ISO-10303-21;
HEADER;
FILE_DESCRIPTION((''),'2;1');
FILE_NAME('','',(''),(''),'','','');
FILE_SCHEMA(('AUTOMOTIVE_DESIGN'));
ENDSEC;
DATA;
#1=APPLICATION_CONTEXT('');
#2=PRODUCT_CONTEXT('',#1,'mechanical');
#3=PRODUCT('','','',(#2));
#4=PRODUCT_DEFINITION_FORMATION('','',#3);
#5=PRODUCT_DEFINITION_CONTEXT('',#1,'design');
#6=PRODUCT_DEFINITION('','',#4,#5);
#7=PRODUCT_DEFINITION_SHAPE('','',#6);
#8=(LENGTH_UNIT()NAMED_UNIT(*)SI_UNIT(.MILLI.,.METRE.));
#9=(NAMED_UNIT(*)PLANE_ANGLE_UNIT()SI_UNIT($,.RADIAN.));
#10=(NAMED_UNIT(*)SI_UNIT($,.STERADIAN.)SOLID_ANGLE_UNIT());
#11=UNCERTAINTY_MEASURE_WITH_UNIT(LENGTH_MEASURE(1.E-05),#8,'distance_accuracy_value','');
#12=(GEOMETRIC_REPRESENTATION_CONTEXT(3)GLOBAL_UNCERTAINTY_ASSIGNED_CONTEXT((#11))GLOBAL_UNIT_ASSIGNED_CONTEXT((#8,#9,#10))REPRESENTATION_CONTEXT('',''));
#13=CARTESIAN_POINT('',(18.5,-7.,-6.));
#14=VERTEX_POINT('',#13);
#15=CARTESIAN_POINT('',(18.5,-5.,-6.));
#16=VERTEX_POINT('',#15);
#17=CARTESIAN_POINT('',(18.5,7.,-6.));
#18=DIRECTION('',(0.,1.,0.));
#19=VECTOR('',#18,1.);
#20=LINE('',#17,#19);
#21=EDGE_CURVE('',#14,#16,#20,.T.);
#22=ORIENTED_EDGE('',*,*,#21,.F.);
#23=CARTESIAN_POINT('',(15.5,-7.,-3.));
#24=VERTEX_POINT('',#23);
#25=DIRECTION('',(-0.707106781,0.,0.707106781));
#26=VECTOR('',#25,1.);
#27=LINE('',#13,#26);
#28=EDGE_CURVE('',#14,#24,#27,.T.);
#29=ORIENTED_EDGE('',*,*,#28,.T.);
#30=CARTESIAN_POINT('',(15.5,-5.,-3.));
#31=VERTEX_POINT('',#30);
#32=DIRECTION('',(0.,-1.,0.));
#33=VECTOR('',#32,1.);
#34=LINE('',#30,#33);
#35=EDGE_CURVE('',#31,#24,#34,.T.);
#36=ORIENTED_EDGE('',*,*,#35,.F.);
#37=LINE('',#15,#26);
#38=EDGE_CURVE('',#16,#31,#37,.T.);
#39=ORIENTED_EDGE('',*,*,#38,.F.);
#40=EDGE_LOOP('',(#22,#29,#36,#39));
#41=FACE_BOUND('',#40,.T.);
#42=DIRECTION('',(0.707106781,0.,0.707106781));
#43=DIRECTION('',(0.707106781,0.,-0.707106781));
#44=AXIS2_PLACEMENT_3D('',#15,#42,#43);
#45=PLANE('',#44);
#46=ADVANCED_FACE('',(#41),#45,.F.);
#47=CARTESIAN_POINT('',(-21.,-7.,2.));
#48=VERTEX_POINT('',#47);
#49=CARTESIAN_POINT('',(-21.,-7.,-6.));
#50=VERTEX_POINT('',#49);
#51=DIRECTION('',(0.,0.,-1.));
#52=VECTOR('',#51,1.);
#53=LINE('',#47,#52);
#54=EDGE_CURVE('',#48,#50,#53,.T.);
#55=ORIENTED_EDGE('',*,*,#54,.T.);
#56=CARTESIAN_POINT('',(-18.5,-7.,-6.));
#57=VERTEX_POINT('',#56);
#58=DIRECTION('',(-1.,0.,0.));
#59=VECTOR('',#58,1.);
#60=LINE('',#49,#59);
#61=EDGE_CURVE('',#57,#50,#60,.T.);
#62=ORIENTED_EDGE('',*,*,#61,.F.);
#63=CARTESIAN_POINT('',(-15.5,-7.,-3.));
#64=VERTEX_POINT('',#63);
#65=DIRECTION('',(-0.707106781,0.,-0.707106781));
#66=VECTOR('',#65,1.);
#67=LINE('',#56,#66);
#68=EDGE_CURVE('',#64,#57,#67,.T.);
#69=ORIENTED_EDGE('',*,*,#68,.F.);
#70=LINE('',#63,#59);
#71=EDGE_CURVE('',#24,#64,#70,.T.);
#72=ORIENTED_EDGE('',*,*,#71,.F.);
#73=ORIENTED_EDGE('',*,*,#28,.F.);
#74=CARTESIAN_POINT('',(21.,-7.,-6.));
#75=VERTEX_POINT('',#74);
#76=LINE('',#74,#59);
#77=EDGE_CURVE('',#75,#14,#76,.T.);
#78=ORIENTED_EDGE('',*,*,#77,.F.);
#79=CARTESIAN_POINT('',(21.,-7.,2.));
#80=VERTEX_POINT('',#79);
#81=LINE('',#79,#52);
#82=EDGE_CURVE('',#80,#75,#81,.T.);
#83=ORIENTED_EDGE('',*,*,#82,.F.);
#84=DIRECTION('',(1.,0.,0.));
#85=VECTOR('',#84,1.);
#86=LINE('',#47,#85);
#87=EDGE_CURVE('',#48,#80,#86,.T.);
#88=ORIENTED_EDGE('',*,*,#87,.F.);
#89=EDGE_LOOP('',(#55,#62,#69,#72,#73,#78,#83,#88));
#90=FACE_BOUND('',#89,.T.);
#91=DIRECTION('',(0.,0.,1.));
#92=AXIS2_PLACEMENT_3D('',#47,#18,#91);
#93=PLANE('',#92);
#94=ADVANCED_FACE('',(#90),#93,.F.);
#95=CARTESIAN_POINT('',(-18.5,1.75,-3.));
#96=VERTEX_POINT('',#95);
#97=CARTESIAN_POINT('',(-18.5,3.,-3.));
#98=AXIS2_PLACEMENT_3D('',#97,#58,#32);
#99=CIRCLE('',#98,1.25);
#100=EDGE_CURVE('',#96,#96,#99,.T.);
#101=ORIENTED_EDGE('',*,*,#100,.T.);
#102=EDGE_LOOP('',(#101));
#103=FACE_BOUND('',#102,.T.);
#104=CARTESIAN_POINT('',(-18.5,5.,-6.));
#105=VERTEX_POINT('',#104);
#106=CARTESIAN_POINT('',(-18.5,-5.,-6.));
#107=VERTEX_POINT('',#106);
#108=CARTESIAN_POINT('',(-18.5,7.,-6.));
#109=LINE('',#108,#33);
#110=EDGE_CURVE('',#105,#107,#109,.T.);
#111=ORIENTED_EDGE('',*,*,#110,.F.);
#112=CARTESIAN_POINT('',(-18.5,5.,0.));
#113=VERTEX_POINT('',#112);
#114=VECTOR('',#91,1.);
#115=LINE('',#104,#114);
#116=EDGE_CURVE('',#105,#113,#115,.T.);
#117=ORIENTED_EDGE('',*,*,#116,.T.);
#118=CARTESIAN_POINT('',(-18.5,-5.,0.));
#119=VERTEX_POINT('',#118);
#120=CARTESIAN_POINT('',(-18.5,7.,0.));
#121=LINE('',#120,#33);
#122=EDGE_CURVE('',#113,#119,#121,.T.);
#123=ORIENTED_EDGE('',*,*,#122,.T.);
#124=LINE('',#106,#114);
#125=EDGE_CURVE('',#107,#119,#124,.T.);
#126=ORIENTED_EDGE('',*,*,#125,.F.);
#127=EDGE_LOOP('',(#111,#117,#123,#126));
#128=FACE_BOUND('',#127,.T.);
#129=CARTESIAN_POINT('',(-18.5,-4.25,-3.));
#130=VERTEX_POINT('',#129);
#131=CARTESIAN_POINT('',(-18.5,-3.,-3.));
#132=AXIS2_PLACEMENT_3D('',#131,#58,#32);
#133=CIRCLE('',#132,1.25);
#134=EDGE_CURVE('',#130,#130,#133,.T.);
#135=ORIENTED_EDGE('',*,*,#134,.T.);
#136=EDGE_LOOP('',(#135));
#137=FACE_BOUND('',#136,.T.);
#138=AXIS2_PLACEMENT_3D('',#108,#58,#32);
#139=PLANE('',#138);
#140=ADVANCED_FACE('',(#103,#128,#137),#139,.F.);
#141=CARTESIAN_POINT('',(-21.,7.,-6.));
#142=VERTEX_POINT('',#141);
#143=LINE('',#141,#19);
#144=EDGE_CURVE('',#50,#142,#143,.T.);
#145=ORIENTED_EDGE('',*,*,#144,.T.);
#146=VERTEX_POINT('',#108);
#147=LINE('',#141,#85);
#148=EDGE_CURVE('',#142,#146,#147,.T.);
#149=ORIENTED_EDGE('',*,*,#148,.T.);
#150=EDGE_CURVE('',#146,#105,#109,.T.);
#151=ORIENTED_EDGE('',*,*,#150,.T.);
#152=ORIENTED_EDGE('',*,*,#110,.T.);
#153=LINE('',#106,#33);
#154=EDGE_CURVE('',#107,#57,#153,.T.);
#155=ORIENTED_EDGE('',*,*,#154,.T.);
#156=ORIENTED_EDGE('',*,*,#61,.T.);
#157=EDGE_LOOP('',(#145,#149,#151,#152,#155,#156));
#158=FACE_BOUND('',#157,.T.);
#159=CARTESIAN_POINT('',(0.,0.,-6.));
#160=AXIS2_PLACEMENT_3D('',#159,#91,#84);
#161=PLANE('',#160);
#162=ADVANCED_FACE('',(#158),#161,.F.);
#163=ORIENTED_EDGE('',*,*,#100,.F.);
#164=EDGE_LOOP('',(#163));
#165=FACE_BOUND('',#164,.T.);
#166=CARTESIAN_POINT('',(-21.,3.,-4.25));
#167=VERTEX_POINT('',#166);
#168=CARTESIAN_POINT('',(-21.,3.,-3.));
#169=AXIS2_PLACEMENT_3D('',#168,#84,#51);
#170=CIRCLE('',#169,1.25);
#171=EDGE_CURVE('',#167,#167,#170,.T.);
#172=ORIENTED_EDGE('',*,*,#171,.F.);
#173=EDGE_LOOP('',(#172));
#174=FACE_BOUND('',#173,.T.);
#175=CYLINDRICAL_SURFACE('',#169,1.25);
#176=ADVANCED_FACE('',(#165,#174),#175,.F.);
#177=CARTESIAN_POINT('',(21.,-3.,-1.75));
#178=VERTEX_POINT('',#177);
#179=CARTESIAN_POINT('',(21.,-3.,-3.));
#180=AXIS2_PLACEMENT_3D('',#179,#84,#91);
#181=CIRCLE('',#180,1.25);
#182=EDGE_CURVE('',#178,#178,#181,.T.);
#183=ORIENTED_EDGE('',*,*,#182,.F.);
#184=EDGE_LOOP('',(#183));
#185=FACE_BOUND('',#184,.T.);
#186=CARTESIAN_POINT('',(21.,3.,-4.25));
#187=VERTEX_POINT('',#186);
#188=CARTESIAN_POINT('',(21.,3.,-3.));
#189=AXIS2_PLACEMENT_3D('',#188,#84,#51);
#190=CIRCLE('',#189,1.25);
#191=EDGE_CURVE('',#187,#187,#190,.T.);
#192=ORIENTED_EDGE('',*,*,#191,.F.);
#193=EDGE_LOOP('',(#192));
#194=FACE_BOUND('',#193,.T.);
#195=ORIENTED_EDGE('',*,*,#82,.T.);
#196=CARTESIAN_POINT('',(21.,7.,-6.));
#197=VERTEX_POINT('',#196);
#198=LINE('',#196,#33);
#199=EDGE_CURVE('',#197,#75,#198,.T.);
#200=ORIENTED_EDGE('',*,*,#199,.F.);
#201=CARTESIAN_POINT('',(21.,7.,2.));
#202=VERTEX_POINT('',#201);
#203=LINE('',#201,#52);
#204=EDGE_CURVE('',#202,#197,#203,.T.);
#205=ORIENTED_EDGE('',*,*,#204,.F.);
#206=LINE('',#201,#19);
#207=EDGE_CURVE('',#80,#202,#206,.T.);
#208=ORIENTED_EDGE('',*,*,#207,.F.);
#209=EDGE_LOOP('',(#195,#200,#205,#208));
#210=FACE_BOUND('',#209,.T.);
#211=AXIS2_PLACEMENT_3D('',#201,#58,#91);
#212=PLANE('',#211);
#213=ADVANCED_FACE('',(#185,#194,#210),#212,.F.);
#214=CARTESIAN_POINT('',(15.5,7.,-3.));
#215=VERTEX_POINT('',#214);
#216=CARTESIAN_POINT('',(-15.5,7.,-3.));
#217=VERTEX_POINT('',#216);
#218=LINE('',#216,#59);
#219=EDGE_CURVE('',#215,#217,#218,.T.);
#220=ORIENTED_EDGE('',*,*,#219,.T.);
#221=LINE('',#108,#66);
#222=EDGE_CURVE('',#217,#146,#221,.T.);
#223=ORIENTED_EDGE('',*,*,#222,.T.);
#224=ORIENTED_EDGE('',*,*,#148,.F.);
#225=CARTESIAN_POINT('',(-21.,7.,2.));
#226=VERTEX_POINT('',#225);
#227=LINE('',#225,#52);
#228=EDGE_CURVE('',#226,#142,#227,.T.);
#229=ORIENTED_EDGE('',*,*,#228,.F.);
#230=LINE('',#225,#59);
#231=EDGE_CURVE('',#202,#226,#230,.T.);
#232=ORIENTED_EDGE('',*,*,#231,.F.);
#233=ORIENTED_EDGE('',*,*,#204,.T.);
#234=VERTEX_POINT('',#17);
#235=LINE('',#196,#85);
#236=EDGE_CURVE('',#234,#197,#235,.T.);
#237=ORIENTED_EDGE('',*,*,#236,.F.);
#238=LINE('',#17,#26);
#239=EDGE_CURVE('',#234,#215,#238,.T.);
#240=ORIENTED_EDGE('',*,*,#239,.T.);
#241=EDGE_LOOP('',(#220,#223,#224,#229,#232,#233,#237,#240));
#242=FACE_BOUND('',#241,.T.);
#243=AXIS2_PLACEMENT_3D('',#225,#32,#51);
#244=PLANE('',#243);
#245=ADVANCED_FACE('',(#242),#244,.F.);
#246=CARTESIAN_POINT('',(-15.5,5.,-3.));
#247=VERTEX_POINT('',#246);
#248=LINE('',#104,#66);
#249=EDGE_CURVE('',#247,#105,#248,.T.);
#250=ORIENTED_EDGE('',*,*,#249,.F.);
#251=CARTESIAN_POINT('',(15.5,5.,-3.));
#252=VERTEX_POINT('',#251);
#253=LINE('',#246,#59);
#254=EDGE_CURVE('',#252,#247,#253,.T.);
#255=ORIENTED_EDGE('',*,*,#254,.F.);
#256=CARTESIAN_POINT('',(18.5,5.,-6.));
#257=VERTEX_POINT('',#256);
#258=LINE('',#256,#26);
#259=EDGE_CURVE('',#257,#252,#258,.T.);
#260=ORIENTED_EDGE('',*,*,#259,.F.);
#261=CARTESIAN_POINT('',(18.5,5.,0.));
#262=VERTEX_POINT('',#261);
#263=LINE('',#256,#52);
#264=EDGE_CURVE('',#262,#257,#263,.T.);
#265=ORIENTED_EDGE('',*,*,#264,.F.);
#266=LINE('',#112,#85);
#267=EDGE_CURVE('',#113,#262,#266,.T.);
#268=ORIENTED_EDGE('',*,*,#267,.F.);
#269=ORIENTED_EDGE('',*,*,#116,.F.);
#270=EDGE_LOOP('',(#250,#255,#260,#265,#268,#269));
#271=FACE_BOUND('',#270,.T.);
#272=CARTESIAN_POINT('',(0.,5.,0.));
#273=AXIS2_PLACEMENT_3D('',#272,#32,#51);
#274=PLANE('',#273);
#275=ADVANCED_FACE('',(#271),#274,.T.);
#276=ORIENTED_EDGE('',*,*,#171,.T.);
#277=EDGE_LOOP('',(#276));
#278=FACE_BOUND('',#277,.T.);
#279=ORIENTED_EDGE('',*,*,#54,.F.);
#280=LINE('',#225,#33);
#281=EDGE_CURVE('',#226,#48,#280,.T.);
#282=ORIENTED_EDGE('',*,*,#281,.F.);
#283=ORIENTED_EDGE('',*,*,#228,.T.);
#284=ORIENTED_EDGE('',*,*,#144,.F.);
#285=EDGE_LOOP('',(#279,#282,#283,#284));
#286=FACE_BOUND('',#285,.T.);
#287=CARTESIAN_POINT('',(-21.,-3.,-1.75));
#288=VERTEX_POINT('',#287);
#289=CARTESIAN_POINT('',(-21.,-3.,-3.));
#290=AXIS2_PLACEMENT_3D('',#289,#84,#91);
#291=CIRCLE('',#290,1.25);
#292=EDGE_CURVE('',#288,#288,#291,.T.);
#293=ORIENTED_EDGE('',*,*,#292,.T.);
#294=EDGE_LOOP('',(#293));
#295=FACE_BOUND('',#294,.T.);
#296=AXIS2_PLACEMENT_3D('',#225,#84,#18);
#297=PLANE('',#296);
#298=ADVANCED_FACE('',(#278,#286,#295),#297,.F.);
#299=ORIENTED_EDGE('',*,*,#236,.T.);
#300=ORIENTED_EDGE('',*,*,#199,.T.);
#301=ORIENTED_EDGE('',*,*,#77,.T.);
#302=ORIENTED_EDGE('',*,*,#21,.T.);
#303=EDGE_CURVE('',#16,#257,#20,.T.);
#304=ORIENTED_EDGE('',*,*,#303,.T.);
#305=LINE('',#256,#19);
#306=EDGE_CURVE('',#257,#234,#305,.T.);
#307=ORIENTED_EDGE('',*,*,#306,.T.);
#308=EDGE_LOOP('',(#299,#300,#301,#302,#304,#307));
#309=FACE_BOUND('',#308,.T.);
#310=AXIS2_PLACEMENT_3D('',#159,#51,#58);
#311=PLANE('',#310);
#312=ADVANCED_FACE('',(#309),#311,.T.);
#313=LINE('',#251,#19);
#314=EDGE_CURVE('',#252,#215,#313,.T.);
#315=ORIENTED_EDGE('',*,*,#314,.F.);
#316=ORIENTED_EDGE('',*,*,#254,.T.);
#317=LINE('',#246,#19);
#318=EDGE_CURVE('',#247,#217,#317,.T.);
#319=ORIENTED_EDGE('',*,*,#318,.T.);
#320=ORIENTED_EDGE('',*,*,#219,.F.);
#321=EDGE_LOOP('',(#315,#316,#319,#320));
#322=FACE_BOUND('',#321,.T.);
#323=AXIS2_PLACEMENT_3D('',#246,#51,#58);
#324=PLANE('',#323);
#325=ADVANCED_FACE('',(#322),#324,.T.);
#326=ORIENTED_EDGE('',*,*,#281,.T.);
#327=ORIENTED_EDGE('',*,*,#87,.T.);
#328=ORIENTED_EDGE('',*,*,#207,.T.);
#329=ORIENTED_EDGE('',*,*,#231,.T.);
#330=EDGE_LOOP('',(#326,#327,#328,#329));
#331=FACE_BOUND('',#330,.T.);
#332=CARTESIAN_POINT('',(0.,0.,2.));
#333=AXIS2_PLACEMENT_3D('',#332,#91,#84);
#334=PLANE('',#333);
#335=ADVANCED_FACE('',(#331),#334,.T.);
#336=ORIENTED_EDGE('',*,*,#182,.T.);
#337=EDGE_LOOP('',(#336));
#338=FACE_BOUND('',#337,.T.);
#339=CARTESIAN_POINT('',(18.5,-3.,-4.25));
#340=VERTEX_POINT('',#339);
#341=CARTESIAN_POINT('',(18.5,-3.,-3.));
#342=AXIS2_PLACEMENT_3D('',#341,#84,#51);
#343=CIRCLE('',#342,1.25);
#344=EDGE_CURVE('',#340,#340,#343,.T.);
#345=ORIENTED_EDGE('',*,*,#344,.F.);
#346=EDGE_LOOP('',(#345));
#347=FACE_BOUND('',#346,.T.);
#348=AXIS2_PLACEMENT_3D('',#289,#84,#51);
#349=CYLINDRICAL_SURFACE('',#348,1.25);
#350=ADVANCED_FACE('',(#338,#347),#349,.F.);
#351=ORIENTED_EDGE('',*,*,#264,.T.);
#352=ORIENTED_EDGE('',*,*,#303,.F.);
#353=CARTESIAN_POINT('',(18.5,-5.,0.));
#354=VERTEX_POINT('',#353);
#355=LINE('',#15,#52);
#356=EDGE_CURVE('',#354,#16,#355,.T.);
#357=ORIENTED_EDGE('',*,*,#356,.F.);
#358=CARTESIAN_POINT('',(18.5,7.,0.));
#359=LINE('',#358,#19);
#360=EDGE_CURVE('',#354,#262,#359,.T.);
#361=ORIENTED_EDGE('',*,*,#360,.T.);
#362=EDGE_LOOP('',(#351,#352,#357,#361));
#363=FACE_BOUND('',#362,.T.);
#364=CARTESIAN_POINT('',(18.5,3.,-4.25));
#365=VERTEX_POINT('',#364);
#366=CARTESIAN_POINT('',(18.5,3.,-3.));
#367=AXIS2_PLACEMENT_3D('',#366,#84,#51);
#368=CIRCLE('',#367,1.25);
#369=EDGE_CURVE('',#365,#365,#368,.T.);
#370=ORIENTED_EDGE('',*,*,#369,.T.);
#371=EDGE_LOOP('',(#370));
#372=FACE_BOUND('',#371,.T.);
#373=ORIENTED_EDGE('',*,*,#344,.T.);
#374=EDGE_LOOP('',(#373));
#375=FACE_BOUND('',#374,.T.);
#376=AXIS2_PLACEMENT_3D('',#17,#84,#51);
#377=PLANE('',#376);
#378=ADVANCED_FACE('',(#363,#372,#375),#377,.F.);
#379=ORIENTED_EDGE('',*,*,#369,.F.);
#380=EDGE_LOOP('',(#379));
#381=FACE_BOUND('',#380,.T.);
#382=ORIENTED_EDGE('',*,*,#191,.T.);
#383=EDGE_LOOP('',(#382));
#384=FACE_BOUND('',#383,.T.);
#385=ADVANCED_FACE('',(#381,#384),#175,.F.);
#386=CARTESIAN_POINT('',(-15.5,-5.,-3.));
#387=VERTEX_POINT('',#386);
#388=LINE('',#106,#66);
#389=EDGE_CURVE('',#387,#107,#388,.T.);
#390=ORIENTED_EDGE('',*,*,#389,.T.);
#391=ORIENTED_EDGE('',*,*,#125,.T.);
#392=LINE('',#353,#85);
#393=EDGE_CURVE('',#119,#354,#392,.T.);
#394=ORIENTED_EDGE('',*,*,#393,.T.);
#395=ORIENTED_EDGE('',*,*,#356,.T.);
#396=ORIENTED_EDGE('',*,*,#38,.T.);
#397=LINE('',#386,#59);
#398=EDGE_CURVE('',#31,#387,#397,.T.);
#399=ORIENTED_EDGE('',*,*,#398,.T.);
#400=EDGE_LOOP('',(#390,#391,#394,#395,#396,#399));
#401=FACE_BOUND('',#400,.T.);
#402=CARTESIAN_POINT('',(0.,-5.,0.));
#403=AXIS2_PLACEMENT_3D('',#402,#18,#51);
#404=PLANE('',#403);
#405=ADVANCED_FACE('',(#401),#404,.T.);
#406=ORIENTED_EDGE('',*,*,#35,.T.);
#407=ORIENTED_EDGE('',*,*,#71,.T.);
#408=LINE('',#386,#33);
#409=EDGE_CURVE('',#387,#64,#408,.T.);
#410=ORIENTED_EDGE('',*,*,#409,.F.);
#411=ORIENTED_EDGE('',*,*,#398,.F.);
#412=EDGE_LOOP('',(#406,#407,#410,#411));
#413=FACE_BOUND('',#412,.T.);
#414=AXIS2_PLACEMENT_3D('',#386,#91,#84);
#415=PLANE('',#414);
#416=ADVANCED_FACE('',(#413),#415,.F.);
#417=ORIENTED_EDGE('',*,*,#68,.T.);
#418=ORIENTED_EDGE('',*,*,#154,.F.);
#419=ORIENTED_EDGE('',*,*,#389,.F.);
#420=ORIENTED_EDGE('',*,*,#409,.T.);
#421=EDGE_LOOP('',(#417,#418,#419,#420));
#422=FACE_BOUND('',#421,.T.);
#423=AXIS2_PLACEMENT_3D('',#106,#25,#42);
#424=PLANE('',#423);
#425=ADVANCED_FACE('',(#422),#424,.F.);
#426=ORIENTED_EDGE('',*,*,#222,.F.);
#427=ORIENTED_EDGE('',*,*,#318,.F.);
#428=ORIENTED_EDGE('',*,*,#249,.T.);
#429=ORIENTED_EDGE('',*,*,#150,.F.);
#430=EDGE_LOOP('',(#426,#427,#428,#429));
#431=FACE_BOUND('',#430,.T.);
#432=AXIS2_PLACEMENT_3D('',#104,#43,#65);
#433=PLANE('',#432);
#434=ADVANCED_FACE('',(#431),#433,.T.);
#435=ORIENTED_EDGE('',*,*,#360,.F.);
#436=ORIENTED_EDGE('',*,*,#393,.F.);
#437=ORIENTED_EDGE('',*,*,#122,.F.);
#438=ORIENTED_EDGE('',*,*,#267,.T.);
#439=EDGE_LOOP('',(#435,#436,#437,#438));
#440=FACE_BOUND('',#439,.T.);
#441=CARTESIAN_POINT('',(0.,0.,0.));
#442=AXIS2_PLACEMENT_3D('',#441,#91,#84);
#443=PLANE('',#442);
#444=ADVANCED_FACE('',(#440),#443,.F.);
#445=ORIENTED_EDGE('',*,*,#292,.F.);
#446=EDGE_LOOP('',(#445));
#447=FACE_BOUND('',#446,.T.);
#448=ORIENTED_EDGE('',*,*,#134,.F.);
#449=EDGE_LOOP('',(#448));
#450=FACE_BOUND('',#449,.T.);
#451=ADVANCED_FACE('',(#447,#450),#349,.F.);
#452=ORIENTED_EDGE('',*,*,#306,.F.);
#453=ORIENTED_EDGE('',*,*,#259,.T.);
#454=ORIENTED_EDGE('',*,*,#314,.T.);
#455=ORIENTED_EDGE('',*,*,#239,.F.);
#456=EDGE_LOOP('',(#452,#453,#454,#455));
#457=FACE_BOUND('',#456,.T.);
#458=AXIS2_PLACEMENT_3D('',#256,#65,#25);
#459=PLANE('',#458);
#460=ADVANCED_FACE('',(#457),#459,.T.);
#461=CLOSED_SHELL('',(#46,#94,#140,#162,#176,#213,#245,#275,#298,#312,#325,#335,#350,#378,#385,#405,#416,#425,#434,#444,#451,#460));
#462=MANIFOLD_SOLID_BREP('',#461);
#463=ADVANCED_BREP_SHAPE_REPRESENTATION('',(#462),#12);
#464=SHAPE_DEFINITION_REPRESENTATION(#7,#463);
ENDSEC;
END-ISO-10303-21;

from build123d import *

# Parameters (mm, degrees)
SKETCH1_W           = 42
SKETCH1_H           = 14
BOSS_EXTRUDE1_DEPTH = 2
SKETCH2_W           = 2.5
SKETCH2_H           = 14
BOSS_EXTRUDE2_DEPTH = 6
SKETCH5_R           = 1.25
CUT_EXTRUDE1_DEPTH  = 43
BOSS_EXTRUDE3_DEPTH = 2


with BuildPart() as part:
    # Sketch1 → Boss-Extrude1 (new body)
    with BuildSketch(Plane.XY):
        Rectangle(SKETCH1_W, SKETCH1_H)
    extrude(amount=BOSS_EXTRUDE1_DEPTH)

    # Sketch2 → Boss-Extrude2 (add)
    with BuildSketch(Plane(origin=(0, 0, 0), x_dir=(-1, 0, 0), z_dir=(0, 0, -1))):
        with Locations((-19.75, 0)):
            Rectangle(SKETCH2_W, SKETCH2_H)
        with Locations((19.75, 0)):
            Rectangle(SKETCH2_W, SKETCH2_H)
    extrude(amount=BOSS_EXTRUDE2_DEPTH)

    # Sketch5 → Cut-Extrude1 (cut, through all)
    with BuildSketch(Plane(origin=(21, 0, 0), x_dir=(0, 0, -1), z_dir=(1, 0, 0))):
        with Locations((3, 3)):
            Circle(SKETCH5_R)
        with Locations((3, -3)):
            Circle(SKETCH5_R)
    extrude(amount=-CUT_EXTRUDE1_DEPTH, mode=Mode.SUBTRACT)

    # Sketch6 → Boss-Extrude3 (add)
    with BuildSketch(Plane(origin=(0, 7, 0), x_dir=(1, 0, 0), z_dir=(0, 1, 0))):
        Polygon((-18.5, 6), (-18.5, 0), (-12.5, 0), (12.5, 0), (18.5, 0), (18.5, 6), (15.5, 3), (-15.5, 3), align=None)
    boss_extrude3 = extrude(amount=-BOSS_EXTRUDE3_DEPTH)

    # Mirror1: Boss-Extrude3 across plane
    add(boss_extrude3.mirror(Plane.ZX))


solid = part.part
